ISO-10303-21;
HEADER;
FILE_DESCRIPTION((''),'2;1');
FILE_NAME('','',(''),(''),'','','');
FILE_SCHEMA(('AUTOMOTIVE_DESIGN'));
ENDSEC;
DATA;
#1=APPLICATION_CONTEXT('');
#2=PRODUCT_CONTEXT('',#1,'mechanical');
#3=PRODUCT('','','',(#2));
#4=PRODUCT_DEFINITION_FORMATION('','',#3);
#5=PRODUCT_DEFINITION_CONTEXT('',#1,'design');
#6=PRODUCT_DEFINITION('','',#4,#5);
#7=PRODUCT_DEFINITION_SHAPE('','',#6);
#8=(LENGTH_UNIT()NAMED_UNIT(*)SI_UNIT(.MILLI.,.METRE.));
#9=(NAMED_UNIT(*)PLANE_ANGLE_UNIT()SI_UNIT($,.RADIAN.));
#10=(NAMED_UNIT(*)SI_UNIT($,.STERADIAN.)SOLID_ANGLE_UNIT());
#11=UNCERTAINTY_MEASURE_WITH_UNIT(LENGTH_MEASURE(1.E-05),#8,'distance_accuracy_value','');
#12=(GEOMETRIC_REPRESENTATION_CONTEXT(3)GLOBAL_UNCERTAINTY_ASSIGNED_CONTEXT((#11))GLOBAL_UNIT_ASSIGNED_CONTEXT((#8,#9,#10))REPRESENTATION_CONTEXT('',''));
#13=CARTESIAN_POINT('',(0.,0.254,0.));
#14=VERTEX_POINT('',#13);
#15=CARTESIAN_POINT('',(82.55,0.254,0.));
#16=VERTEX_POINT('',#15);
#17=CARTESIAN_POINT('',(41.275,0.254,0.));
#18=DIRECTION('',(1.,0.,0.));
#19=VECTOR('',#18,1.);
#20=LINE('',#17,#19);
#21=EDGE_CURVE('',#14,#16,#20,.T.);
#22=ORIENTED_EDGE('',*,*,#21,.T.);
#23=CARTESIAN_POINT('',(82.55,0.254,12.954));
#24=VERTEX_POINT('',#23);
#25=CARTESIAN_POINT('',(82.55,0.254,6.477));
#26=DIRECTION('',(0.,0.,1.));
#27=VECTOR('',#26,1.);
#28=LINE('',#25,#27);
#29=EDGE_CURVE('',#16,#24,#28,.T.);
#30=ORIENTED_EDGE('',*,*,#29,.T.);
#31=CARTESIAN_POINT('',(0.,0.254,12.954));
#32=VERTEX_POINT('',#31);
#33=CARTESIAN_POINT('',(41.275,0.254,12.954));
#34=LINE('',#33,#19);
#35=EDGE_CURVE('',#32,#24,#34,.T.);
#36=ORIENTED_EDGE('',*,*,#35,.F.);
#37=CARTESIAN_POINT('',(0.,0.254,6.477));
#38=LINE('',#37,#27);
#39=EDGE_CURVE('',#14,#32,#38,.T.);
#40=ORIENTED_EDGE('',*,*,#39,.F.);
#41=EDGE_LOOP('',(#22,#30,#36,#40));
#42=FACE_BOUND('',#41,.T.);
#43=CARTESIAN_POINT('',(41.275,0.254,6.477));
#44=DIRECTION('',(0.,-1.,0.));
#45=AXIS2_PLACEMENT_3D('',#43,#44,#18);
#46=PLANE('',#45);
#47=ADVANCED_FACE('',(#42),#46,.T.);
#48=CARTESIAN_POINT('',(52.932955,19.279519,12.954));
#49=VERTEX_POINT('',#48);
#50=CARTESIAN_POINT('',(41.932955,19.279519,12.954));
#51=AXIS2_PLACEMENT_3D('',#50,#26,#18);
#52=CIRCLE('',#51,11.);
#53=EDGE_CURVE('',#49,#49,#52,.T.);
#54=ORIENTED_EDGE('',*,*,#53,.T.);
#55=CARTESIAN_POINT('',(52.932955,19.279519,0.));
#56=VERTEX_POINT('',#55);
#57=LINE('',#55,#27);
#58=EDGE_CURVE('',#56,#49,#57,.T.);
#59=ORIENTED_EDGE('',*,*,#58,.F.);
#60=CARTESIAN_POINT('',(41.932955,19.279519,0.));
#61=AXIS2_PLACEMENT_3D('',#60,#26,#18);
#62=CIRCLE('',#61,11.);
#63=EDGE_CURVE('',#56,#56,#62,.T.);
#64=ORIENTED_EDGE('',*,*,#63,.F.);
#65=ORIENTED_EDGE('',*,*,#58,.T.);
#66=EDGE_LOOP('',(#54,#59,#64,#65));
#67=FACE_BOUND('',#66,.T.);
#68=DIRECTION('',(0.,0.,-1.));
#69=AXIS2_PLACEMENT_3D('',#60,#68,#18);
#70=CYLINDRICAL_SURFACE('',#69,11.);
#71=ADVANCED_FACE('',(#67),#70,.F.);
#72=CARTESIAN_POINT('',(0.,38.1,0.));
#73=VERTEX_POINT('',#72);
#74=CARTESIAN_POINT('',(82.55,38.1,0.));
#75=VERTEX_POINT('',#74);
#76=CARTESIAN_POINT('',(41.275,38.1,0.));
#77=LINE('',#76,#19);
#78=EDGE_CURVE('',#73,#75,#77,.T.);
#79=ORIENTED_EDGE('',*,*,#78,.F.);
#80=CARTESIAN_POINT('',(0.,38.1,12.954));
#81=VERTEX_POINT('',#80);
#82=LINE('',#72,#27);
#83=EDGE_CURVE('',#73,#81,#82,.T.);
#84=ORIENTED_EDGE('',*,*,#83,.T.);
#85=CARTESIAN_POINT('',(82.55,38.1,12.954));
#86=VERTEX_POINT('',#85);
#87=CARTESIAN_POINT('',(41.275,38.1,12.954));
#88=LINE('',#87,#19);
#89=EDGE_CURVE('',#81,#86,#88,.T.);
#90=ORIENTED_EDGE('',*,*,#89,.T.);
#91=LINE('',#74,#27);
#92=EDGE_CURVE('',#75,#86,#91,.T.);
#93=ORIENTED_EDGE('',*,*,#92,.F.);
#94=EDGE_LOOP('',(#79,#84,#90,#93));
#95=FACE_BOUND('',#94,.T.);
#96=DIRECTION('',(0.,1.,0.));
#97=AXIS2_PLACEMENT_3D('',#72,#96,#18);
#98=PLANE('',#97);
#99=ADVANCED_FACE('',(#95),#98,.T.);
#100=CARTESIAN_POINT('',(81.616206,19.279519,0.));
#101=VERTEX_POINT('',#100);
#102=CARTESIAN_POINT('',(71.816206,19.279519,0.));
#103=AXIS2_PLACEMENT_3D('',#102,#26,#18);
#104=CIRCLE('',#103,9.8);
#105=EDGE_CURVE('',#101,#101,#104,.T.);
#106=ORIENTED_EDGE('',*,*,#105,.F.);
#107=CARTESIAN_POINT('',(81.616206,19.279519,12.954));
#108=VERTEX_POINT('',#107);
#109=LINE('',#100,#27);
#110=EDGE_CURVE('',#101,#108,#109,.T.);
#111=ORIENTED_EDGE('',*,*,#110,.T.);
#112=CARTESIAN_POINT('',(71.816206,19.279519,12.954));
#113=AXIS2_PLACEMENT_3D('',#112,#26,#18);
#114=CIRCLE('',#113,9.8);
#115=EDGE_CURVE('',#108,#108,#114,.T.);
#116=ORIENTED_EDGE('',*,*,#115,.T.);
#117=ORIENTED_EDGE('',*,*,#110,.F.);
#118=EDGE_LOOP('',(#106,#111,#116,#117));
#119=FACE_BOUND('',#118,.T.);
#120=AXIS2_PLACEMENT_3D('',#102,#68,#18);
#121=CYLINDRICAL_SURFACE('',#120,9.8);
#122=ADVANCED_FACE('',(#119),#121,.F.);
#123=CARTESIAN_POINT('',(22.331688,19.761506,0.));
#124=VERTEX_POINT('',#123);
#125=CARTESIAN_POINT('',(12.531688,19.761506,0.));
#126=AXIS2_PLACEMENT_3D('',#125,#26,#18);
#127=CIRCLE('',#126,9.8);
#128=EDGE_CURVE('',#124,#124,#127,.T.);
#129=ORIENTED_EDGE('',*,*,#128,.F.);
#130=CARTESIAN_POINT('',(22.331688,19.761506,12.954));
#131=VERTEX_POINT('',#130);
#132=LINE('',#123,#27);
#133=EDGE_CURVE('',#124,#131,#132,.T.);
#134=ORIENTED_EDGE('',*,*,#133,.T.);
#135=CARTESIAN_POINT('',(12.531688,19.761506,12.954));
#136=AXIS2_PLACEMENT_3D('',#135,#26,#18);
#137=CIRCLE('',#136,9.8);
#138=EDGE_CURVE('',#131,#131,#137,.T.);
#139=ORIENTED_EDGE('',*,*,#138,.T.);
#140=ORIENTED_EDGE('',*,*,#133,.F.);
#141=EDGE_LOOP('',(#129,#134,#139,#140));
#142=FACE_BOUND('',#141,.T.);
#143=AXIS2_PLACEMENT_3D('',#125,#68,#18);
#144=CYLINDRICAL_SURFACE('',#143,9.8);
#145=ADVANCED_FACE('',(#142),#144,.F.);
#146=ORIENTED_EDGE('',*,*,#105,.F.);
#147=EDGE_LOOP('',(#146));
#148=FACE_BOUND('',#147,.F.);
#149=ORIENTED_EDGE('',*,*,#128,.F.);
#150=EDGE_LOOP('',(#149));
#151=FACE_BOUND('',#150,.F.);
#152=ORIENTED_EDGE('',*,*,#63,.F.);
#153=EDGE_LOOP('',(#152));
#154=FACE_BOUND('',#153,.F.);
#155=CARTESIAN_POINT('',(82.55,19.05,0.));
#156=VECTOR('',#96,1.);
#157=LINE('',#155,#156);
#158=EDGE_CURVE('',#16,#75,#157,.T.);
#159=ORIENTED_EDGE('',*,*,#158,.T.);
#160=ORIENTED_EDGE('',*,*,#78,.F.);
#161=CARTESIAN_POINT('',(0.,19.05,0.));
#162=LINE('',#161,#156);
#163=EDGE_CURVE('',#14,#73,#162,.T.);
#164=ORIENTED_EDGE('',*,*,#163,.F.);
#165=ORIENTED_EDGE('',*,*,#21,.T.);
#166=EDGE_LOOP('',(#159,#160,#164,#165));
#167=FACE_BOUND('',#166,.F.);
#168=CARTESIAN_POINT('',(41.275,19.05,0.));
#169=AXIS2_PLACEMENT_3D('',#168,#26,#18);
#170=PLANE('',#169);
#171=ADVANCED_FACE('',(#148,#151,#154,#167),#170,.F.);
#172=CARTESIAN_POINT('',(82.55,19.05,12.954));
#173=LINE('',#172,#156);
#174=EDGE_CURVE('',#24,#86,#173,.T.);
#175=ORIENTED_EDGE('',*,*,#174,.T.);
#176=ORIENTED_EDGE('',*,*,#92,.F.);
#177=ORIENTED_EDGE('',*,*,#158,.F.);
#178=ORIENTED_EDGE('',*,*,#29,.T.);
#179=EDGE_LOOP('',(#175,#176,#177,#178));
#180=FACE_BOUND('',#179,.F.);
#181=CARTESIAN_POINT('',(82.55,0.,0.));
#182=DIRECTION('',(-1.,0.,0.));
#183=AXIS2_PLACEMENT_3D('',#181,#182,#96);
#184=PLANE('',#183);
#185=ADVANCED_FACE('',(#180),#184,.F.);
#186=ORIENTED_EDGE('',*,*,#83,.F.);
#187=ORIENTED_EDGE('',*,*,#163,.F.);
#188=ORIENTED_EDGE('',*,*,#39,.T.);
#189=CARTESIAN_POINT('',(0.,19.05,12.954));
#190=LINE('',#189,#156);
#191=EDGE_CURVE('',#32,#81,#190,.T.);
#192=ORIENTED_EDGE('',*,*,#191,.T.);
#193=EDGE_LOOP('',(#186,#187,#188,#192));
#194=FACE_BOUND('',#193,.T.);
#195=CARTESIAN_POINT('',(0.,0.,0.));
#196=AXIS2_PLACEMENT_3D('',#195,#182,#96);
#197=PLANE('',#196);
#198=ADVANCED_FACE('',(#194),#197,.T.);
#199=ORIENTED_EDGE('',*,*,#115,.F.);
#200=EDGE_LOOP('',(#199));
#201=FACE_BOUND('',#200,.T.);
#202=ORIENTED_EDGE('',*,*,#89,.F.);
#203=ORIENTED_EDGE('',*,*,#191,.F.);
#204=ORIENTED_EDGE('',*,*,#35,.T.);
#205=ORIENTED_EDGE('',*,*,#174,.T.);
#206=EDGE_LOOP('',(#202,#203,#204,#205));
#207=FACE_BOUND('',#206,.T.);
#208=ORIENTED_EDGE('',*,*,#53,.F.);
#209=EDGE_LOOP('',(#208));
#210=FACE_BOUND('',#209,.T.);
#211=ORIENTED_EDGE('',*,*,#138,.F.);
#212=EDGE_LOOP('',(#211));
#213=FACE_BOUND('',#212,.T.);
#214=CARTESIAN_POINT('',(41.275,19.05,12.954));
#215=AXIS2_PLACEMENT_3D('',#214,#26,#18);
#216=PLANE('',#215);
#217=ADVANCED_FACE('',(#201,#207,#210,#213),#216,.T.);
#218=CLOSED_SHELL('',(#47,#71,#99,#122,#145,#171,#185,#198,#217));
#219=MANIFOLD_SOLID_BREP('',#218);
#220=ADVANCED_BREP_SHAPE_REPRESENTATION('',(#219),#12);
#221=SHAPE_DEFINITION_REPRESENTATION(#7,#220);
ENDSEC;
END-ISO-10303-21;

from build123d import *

# Parameters (mm, degrees)
F0_W      = 82.55
F0_H      = 38.1
F0_R      = 9.8
F0_R_2    = 11
F1_DEPTH  = 12.954
F1_FACE_W = 82.55
F1_FACE_H = 12.954
F2_DEPTH  = 0.254


with BuildPart() as f1:
    # F0 (on Top) → F1 (new body)
    with BuildSketch(Plane.XY):
        with Locations((41.275, 19.05)):
            Rectangle(F0_W, F0_H)
        with Locations((12.531688, 19.761506)):
            Circle(F0_R, mode=Mode.SUBTRACT)
        with Locations((41.932955, 19.279519)):
            Circle(F0_R_2, mode=Mode.SUBTRACT)
        with Locations((71.816206, 19.279519)):
            Circle(F0_R, mode=Mode.SUBTRACT)
    extrude(amount=F1_DEPTH)

    # F1_face (on face) → F2 (cut)
    with BuildSketch(Plane(origin=(41.275, 0, 6.477), x_dir=(1, 0, 0), z_dir=(0, -1, 0))):
        Rectangle(F1_FACE_W, F1_FACE_H)
    extrude(amount=-F2_DEPTH, mode=Mode.SUBTRACT)


solid = f1.part
